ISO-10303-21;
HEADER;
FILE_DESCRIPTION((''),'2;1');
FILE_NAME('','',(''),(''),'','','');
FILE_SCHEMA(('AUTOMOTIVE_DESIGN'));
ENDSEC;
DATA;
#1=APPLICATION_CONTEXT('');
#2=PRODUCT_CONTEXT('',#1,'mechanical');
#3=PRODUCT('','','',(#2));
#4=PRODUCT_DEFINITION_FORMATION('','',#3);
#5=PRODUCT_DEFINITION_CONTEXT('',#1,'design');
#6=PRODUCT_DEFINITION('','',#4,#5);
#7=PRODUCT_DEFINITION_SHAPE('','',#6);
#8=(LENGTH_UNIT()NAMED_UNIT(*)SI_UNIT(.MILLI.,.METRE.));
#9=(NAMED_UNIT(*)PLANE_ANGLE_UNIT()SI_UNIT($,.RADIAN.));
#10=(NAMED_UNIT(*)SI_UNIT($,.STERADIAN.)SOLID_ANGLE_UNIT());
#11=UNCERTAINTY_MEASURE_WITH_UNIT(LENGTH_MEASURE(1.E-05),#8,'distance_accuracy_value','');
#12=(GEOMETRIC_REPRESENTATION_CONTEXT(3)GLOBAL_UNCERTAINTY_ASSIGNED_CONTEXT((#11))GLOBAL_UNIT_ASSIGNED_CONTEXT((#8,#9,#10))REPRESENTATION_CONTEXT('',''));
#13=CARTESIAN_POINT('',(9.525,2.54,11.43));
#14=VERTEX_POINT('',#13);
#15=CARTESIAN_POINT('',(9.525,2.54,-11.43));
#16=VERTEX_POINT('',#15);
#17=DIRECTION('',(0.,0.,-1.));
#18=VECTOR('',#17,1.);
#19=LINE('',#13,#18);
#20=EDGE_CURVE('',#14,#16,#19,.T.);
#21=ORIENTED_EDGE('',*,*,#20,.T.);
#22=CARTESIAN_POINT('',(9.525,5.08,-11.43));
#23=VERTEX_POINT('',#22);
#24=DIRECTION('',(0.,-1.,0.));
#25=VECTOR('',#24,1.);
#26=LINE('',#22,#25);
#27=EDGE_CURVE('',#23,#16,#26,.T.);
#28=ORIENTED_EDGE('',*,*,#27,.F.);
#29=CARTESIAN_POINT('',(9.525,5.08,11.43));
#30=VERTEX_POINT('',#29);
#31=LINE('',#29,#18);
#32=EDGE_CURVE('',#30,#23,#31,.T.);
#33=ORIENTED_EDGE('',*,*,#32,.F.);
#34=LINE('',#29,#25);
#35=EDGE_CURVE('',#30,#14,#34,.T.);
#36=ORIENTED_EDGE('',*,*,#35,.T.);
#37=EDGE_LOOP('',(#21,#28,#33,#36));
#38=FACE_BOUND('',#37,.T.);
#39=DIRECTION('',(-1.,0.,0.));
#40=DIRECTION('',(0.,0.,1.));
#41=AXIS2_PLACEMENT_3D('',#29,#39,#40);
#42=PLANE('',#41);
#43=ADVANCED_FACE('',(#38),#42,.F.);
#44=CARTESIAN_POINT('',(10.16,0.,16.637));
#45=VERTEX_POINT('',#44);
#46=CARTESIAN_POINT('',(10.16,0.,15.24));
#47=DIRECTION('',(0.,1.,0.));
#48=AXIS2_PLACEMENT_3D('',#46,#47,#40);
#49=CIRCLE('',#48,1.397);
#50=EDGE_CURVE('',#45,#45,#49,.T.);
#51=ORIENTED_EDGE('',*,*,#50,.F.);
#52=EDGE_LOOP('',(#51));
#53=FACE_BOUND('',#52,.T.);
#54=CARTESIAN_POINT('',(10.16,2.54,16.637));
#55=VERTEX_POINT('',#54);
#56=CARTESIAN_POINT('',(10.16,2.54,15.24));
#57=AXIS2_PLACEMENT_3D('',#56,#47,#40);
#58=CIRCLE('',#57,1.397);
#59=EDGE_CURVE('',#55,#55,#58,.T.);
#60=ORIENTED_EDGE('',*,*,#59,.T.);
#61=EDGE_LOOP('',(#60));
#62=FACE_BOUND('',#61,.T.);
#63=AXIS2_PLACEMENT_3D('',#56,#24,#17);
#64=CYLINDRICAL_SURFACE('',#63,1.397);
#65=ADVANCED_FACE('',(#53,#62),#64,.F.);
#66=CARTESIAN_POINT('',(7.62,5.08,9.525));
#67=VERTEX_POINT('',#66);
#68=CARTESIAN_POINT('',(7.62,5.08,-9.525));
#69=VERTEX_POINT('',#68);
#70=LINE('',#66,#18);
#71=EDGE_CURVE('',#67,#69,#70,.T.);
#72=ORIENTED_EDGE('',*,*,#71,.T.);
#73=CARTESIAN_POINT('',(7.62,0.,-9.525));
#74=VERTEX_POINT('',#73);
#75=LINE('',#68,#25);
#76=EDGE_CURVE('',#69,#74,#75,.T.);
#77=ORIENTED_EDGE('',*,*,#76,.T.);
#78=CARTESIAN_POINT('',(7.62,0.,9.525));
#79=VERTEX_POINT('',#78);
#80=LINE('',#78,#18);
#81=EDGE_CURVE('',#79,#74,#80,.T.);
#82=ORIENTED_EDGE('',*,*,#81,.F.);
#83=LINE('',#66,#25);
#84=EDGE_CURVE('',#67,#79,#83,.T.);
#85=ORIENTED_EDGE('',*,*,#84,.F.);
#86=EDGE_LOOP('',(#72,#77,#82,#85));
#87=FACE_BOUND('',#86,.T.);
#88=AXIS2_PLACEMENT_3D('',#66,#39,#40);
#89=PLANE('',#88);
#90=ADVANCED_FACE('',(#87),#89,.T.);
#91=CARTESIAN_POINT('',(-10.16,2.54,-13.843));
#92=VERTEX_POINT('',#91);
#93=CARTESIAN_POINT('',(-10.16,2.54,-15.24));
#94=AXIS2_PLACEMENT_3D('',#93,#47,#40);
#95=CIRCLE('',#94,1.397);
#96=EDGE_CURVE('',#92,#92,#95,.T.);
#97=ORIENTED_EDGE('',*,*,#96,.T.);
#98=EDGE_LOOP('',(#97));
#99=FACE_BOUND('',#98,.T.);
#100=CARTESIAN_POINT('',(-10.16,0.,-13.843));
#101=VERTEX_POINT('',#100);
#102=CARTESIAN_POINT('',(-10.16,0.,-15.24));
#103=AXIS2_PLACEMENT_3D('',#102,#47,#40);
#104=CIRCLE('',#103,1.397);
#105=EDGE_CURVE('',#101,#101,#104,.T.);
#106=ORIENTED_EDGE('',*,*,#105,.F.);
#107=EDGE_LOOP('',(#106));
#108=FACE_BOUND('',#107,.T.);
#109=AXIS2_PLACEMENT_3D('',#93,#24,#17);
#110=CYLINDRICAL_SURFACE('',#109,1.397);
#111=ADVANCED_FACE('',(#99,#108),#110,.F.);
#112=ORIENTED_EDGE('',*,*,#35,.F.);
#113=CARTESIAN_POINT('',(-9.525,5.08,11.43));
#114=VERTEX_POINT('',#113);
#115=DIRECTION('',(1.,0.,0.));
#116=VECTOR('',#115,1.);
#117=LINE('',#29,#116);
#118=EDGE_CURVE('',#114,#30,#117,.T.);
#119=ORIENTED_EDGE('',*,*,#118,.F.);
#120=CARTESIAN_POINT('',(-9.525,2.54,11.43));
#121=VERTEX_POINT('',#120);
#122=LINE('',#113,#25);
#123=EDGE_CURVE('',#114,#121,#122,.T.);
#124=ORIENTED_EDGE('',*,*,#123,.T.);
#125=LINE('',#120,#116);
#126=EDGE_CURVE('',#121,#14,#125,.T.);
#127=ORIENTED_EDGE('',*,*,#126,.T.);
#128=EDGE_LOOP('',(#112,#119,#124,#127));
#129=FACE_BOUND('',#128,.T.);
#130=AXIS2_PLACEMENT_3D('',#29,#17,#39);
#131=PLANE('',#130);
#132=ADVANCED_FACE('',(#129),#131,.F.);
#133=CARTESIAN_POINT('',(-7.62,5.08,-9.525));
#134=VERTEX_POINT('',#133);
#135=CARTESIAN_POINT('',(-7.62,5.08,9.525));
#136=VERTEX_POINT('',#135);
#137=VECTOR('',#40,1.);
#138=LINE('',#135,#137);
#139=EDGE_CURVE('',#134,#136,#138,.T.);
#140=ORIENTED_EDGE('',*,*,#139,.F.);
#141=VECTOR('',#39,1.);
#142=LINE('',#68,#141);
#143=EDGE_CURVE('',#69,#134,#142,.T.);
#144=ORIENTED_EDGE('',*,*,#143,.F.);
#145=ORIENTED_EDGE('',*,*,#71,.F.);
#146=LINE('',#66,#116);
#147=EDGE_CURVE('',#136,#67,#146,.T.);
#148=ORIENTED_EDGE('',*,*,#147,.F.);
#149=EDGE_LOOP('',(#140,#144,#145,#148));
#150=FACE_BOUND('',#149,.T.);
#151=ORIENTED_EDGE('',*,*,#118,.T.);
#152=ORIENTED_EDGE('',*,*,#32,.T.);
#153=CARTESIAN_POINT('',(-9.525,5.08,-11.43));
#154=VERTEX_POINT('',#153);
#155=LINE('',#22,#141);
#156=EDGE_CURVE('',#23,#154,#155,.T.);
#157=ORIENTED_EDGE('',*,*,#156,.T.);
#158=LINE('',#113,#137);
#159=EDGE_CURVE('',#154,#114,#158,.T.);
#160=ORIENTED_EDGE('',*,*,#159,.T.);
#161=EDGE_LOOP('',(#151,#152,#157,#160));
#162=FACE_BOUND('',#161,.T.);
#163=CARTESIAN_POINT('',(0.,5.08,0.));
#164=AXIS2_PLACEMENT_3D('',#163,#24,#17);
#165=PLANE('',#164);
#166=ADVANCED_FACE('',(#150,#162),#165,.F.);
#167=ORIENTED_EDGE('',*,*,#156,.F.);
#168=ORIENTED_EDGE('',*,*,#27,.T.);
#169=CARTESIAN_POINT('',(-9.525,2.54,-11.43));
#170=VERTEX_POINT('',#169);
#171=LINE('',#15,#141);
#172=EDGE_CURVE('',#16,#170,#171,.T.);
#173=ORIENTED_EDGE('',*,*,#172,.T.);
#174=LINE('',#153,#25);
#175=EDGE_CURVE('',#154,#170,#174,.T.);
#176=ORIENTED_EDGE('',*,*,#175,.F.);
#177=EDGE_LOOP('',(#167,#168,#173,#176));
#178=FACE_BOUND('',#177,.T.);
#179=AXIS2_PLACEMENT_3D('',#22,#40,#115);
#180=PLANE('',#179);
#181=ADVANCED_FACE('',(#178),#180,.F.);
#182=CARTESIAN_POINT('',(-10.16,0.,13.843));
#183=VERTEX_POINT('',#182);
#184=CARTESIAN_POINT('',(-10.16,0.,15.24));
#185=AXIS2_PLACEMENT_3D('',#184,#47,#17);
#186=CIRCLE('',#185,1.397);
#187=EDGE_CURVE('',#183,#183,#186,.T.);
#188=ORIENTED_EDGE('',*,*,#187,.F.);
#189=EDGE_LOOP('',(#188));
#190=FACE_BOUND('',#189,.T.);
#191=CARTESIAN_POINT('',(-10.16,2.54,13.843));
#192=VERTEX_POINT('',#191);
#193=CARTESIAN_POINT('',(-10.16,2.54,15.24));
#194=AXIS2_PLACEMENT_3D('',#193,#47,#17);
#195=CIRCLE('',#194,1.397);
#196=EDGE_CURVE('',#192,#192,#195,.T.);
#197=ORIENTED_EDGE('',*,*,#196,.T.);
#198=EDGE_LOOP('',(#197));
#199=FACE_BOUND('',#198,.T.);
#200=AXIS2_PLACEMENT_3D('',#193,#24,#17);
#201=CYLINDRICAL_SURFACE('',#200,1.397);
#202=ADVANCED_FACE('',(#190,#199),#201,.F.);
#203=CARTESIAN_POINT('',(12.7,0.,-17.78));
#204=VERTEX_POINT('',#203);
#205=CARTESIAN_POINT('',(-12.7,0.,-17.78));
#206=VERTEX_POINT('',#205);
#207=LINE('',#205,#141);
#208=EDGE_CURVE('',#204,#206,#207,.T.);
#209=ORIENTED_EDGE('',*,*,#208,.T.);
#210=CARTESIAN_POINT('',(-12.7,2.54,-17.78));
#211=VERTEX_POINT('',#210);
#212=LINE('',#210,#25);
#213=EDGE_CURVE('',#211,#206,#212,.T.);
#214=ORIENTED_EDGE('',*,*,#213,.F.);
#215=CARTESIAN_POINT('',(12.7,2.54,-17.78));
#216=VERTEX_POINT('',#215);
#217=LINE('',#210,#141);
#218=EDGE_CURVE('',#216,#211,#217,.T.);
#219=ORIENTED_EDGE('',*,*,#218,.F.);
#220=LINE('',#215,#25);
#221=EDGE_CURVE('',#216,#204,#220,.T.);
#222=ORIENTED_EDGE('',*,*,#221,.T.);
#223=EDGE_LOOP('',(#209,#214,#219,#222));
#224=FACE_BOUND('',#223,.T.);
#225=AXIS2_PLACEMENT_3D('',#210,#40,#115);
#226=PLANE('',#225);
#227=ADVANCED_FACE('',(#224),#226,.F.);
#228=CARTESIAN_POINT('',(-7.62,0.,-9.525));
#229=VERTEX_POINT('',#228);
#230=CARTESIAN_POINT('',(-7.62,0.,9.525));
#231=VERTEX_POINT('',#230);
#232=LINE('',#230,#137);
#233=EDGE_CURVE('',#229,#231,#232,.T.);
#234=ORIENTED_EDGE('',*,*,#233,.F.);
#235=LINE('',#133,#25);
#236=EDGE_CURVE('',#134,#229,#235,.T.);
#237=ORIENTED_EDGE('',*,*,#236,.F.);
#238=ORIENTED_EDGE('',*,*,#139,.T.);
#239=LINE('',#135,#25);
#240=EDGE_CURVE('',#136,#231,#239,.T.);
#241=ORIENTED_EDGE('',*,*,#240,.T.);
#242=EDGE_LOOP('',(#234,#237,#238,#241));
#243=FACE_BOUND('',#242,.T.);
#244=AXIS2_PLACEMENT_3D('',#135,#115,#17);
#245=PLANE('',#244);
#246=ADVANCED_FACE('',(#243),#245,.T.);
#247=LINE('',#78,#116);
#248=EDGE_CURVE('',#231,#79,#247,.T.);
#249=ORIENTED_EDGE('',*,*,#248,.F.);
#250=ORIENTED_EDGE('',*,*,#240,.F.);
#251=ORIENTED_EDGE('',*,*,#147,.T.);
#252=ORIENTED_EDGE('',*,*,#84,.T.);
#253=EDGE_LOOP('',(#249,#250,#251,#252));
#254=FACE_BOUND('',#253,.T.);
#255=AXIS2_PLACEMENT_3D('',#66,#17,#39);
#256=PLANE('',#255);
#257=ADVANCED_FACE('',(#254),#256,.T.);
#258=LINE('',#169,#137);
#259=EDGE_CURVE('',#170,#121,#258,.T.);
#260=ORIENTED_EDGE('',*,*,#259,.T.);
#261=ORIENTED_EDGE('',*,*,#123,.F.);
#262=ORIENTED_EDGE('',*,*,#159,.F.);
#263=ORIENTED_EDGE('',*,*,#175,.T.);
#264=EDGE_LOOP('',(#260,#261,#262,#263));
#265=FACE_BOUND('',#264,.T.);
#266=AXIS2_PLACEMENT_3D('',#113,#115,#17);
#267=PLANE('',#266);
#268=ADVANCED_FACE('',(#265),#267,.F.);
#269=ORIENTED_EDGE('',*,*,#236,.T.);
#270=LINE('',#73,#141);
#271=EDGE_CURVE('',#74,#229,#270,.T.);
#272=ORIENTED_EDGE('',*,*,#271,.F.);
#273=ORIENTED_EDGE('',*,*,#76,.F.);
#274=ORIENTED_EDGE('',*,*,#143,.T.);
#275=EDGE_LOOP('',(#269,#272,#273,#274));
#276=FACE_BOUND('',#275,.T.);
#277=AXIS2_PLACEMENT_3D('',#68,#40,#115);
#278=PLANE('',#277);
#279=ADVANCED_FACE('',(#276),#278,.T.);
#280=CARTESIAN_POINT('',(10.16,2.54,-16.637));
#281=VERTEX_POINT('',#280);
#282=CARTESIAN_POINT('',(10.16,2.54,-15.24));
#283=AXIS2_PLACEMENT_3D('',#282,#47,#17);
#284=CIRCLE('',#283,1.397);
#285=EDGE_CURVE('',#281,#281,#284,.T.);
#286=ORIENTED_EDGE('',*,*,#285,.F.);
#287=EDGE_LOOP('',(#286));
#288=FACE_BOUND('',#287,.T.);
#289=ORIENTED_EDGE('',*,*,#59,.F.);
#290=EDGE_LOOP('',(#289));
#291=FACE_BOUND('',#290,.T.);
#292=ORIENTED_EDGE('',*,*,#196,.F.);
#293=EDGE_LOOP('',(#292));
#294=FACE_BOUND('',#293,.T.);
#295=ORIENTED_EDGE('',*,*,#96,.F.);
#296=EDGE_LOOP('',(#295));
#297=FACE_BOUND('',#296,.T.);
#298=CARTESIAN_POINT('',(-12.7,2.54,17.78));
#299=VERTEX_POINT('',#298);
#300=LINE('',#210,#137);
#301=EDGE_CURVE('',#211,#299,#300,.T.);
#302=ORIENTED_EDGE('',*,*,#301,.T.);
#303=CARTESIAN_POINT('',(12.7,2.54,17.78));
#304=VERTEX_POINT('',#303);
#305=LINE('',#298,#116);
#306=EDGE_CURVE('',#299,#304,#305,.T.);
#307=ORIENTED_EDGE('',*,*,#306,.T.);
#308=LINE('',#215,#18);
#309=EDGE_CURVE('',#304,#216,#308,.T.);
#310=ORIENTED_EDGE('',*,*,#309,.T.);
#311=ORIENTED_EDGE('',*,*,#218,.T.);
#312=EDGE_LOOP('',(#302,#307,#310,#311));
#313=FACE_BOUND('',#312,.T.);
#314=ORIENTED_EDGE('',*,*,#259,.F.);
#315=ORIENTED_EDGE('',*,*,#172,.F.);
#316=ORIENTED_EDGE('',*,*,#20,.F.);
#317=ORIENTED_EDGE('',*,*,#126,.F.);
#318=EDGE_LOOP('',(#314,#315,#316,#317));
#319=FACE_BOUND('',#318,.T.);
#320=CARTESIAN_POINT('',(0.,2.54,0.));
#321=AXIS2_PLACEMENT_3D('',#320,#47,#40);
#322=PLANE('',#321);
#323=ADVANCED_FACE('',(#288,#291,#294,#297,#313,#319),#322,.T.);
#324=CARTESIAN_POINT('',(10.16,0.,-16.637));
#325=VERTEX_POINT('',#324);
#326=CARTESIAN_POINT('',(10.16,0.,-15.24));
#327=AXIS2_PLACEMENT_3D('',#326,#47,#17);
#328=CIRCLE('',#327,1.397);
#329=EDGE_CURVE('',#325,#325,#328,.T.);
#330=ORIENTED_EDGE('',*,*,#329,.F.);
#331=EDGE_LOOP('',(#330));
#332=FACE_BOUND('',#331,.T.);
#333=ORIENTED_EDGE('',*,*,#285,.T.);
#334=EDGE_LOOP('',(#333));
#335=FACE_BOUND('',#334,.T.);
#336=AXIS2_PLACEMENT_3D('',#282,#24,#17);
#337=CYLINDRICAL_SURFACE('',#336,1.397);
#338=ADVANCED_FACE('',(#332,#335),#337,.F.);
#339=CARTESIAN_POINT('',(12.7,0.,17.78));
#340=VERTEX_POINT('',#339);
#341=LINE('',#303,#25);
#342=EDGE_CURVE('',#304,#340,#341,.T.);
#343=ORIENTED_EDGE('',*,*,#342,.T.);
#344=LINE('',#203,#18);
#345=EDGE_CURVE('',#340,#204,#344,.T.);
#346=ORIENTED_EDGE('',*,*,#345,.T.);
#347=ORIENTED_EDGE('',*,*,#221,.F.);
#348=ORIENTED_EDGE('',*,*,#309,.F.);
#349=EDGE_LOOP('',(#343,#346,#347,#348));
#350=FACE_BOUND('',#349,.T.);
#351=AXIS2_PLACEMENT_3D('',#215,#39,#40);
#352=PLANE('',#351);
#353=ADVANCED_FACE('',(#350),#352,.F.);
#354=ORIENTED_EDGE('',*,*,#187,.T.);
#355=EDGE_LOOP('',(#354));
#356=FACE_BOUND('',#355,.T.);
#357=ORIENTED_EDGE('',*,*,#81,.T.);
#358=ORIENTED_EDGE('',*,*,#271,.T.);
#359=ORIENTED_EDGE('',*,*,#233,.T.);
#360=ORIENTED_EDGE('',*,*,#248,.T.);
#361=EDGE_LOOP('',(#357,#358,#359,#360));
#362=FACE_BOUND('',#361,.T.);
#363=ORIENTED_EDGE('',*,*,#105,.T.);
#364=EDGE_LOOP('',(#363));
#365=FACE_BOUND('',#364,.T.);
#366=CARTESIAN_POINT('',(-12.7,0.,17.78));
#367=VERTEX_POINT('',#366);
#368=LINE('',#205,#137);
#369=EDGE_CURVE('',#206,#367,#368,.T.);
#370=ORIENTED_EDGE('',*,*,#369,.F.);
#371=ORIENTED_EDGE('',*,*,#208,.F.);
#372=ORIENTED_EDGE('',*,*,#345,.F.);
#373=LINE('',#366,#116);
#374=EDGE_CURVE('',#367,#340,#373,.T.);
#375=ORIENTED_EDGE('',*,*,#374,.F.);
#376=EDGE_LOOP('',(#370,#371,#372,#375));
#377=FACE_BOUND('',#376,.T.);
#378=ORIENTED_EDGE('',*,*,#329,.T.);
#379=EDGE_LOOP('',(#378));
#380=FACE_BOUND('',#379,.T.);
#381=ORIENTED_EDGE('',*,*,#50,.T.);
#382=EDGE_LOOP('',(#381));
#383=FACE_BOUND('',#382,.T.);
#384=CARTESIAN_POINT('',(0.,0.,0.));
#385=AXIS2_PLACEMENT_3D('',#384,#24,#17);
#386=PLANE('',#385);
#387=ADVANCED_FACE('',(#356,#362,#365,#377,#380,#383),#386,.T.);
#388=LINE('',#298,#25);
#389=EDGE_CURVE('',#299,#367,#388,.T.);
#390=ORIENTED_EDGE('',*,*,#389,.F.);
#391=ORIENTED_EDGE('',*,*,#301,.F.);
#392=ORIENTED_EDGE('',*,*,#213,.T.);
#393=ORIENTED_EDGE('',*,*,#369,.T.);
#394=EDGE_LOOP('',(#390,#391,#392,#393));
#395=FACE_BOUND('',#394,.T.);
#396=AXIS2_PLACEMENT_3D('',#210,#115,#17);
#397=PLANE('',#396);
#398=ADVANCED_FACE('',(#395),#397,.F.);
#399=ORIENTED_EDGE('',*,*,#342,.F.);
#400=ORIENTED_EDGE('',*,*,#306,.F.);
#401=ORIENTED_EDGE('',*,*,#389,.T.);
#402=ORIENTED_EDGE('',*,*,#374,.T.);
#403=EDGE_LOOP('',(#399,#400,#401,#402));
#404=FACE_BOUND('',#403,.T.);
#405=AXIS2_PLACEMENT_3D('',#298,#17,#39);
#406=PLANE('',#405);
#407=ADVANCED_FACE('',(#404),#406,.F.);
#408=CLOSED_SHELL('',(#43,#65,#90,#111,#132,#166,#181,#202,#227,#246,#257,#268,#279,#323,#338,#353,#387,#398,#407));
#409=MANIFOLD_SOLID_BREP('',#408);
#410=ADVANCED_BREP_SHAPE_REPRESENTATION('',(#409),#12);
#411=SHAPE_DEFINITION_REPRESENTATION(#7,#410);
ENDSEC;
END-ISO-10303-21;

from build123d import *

# Parameters (mm, degrees)
SKETCH1_W           = 19.05
SKETCH1_H           = 22.86
SKETCH1_W_2         = 15.24
SKETCH1_H_2         = 19.05
BOSS_EXTRUDE1_DEPTH = 5.08
SKETCH3_W           = 25.4
SKETCH3_H           = 35.56
SKETCH3_R           = 1.397
SKETCH3_W_2         = 19.05
SKETCH3_H_2         = 22.86
BOSS_EXTRUDE2_DEPTH = 2.54


with BuildPart() as part:
    # Sketch1 → Boss-Extrude1 (new body)
    with BuildSketch(Plane(origin=(0, 0, 0), x_dir=(1, 0, 0), z_dir=(0, 1, 0))):
        Rectangle(SKETCH1_W, SKETCH1_H)
        Rectangle(SKETCH1_W_2, SKETCH1_H_2, mode=Mode.SUBTRACT)
    extrude(amount=BOSS_EXTRUDE1_DEPTH)

    # Sketch3 → Boss-Extrude2 (add)
    with BuildSketch(Plane(origin=(0, 0, 0), x_dir=(1, 0, 0), z_dir=(0, 1, 0))):
        Rectangle(SKETCH3_W, SKETCH3_H)
        with Locations(Location((-10.16, 15.24, 0), (0, 0, 270))):
            Circle(SKETCH3_R, mode=Mode.SUBTRACT)
        with Locations(Location((10.16, 15.24, 0), (0, 0, 90))):
            Circle(SKETCH3_R, mode=Mode.SUBTRACT)
        with Locations(Location((-10.16, -15.24, 0), (0, 0, 90))):
            Circle(SKETCH3_R, mode=Mode.SUBTRACT)
        with Locations(Location((10.16, -15.24, 0), (0, 0, 270))):
            Circle(SKETCH3_R, mode=Mode.SUBTRACT)
        Rectangle(SKETCH3_W_2, SKETCH3_H_2, mode=Mode.SUBTRACT)
    extrude(amount=BOSS_EXTRUDE2_DEPTH)


solid = part.part
